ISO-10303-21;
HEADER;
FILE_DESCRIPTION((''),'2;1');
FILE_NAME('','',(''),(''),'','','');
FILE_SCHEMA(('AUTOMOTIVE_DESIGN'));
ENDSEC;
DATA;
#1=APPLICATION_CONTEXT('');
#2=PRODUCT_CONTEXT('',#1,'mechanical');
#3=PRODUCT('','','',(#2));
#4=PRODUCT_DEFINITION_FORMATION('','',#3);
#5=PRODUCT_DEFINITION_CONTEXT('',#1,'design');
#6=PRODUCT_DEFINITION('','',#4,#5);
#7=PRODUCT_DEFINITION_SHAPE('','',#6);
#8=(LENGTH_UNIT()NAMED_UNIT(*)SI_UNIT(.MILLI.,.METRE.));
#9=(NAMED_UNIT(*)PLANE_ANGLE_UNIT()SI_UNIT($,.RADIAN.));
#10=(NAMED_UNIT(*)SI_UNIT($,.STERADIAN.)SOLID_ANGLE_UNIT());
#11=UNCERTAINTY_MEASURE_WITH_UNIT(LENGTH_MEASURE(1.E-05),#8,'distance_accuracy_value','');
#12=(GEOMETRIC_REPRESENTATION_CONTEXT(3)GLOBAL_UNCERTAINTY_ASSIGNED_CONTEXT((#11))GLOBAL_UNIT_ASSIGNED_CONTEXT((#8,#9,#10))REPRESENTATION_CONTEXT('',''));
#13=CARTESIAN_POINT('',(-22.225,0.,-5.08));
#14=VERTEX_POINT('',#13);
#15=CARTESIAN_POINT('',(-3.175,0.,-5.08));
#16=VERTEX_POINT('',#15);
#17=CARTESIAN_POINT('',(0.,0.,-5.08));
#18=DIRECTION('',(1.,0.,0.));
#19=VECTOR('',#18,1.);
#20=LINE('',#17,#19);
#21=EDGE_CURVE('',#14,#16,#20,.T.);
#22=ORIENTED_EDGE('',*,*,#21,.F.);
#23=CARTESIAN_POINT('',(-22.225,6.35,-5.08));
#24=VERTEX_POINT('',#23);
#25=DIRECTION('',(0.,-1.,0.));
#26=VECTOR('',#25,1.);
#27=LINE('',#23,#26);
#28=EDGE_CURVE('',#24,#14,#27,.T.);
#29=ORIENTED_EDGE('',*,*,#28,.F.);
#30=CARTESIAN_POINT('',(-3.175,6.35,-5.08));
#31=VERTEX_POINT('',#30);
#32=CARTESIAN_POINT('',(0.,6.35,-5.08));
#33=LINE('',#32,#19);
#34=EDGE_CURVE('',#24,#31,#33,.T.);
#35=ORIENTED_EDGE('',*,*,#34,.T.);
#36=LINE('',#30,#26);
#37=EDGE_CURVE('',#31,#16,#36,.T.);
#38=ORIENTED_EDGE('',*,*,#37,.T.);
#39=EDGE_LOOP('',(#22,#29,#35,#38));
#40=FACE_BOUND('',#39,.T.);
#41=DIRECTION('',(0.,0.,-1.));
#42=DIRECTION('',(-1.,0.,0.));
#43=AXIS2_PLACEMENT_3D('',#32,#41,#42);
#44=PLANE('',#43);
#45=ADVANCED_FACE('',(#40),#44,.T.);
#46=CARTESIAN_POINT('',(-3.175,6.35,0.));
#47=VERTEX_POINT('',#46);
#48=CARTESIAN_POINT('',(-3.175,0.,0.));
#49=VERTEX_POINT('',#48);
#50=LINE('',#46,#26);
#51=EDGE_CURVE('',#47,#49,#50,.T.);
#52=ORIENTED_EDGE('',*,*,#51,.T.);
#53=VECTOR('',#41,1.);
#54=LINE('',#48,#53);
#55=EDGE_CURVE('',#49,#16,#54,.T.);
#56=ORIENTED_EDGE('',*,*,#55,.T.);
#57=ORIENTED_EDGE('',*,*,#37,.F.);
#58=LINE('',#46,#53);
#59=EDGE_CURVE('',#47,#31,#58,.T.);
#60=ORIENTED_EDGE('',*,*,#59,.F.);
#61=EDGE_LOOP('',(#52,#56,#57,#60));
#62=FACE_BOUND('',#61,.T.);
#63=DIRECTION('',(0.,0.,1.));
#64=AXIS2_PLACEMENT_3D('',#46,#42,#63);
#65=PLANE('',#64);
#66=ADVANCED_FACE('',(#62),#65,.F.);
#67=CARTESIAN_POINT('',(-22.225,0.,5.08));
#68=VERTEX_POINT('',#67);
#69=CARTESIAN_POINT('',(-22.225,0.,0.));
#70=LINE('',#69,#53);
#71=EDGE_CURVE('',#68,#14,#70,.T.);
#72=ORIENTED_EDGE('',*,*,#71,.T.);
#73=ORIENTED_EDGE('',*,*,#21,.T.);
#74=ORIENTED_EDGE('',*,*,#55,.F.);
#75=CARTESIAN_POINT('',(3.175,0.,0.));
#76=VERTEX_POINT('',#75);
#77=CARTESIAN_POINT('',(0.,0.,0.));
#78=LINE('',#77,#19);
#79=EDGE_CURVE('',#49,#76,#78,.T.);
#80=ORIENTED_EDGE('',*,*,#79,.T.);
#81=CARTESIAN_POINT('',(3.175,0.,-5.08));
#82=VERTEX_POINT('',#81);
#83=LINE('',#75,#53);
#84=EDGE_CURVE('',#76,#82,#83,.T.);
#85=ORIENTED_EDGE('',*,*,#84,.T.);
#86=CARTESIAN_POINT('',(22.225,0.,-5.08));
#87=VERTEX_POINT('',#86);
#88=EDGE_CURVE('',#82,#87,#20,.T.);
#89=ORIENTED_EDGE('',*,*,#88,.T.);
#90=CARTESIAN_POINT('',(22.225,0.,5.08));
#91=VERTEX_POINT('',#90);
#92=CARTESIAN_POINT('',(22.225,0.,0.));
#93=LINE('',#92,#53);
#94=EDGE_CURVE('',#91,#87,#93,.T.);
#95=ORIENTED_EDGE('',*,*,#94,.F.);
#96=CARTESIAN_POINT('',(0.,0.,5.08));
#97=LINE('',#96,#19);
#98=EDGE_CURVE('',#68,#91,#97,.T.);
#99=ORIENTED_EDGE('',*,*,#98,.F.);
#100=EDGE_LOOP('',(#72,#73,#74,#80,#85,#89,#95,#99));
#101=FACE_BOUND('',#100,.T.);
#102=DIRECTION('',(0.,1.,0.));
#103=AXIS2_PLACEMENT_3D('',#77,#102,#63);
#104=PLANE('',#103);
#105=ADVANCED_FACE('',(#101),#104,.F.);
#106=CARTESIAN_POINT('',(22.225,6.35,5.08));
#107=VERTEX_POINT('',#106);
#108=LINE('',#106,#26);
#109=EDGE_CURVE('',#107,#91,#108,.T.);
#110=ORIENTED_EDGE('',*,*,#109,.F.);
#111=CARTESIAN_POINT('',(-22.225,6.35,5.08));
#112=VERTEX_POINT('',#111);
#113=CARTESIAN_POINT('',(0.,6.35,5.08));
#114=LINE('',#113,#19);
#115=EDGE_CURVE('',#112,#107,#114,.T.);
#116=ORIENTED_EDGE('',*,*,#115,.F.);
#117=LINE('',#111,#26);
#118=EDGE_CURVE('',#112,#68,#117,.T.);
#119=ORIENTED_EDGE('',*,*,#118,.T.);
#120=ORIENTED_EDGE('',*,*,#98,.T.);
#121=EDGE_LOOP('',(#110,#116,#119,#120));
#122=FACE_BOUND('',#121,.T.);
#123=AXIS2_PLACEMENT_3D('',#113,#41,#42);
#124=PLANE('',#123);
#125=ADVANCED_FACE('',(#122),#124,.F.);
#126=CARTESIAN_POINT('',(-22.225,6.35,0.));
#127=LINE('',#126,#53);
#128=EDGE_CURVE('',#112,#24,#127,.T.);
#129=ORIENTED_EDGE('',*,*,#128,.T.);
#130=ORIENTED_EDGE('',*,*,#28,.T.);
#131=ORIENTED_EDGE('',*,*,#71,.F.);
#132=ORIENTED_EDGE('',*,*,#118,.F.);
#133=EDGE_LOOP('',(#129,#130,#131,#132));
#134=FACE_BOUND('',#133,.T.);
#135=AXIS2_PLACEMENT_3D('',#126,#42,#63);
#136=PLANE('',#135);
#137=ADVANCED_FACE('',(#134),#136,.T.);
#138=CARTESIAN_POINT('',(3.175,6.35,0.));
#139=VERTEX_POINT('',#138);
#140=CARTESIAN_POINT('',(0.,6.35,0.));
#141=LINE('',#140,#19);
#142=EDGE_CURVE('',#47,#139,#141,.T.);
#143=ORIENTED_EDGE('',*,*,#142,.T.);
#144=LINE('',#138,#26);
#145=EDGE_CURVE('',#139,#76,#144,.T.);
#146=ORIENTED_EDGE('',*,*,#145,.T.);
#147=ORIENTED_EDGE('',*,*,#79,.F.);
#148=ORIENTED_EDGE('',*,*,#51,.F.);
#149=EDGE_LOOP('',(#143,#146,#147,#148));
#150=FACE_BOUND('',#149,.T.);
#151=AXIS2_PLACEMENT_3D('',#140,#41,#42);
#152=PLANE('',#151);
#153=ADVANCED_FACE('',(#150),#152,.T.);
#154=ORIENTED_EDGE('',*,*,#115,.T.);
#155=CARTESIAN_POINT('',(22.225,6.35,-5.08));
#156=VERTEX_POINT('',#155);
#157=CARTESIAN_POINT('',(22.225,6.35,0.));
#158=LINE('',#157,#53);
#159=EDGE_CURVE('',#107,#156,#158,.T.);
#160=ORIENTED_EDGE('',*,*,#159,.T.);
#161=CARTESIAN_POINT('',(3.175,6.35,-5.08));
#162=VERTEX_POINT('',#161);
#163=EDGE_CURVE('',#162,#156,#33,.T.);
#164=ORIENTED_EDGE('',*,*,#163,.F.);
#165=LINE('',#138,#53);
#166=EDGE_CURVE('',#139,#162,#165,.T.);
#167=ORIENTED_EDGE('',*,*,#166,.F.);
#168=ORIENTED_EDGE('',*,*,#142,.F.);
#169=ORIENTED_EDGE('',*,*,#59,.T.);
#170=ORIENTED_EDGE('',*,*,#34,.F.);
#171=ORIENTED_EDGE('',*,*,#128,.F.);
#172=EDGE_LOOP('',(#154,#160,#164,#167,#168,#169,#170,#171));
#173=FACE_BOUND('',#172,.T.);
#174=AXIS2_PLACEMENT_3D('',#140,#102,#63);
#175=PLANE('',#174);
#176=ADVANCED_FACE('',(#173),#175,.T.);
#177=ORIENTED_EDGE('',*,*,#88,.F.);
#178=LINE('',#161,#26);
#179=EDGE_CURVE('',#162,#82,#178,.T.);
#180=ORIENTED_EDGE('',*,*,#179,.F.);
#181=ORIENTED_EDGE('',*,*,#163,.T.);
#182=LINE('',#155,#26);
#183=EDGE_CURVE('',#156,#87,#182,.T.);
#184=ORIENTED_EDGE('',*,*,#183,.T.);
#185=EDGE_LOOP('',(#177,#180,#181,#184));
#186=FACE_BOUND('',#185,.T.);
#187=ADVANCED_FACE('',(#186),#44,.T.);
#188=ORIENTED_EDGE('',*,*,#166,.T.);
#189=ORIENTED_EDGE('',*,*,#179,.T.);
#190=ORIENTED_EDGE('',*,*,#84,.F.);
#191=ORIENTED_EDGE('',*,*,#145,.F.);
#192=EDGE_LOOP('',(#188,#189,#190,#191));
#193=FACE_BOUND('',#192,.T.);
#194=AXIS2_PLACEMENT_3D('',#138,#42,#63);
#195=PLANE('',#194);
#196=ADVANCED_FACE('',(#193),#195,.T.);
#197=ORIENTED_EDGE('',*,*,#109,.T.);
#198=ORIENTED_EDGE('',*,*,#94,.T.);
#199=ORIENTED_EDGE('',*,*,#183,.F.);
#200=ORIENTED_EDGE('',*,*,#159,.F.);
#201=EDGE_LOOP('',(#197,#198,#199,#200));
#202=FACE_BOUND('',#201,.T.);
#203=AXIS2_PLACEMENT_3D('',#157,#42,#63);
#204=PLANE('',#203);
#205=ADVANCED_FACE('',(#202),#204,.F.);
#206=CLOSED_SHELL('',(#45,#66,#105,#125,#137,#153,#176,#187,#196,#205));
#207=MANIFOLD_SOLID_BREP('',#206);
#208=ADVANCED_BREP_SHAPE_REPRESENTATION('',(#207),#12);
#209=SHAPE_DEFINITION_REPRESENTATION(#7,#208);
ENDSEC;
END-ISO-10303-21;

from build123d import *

# Parameters (mm, degrees)
BOSS_EXTRUDE1_DEPTH = 6.35


with BuildPart() as part:
    # Elevator Paddle Support Strut → Boss-Extrude1 (new body)
    with BuildSketch(Plane(origin=(0, 0, 0), x_dir=(1, 0, 0), z_dir=(0, 1, 0))):
        Polygon((-22.225, -5.08), (22.225, -5.08), (22.225, 5.08), (3.175, 5.08), (3.175, 0), (-3.175, 0), (-3.175, 5.08), (-22.225, 5.08), align=None)
    extrude(amount=BOSS_EXTRUDE1_DEPTH)


solid = part.part
